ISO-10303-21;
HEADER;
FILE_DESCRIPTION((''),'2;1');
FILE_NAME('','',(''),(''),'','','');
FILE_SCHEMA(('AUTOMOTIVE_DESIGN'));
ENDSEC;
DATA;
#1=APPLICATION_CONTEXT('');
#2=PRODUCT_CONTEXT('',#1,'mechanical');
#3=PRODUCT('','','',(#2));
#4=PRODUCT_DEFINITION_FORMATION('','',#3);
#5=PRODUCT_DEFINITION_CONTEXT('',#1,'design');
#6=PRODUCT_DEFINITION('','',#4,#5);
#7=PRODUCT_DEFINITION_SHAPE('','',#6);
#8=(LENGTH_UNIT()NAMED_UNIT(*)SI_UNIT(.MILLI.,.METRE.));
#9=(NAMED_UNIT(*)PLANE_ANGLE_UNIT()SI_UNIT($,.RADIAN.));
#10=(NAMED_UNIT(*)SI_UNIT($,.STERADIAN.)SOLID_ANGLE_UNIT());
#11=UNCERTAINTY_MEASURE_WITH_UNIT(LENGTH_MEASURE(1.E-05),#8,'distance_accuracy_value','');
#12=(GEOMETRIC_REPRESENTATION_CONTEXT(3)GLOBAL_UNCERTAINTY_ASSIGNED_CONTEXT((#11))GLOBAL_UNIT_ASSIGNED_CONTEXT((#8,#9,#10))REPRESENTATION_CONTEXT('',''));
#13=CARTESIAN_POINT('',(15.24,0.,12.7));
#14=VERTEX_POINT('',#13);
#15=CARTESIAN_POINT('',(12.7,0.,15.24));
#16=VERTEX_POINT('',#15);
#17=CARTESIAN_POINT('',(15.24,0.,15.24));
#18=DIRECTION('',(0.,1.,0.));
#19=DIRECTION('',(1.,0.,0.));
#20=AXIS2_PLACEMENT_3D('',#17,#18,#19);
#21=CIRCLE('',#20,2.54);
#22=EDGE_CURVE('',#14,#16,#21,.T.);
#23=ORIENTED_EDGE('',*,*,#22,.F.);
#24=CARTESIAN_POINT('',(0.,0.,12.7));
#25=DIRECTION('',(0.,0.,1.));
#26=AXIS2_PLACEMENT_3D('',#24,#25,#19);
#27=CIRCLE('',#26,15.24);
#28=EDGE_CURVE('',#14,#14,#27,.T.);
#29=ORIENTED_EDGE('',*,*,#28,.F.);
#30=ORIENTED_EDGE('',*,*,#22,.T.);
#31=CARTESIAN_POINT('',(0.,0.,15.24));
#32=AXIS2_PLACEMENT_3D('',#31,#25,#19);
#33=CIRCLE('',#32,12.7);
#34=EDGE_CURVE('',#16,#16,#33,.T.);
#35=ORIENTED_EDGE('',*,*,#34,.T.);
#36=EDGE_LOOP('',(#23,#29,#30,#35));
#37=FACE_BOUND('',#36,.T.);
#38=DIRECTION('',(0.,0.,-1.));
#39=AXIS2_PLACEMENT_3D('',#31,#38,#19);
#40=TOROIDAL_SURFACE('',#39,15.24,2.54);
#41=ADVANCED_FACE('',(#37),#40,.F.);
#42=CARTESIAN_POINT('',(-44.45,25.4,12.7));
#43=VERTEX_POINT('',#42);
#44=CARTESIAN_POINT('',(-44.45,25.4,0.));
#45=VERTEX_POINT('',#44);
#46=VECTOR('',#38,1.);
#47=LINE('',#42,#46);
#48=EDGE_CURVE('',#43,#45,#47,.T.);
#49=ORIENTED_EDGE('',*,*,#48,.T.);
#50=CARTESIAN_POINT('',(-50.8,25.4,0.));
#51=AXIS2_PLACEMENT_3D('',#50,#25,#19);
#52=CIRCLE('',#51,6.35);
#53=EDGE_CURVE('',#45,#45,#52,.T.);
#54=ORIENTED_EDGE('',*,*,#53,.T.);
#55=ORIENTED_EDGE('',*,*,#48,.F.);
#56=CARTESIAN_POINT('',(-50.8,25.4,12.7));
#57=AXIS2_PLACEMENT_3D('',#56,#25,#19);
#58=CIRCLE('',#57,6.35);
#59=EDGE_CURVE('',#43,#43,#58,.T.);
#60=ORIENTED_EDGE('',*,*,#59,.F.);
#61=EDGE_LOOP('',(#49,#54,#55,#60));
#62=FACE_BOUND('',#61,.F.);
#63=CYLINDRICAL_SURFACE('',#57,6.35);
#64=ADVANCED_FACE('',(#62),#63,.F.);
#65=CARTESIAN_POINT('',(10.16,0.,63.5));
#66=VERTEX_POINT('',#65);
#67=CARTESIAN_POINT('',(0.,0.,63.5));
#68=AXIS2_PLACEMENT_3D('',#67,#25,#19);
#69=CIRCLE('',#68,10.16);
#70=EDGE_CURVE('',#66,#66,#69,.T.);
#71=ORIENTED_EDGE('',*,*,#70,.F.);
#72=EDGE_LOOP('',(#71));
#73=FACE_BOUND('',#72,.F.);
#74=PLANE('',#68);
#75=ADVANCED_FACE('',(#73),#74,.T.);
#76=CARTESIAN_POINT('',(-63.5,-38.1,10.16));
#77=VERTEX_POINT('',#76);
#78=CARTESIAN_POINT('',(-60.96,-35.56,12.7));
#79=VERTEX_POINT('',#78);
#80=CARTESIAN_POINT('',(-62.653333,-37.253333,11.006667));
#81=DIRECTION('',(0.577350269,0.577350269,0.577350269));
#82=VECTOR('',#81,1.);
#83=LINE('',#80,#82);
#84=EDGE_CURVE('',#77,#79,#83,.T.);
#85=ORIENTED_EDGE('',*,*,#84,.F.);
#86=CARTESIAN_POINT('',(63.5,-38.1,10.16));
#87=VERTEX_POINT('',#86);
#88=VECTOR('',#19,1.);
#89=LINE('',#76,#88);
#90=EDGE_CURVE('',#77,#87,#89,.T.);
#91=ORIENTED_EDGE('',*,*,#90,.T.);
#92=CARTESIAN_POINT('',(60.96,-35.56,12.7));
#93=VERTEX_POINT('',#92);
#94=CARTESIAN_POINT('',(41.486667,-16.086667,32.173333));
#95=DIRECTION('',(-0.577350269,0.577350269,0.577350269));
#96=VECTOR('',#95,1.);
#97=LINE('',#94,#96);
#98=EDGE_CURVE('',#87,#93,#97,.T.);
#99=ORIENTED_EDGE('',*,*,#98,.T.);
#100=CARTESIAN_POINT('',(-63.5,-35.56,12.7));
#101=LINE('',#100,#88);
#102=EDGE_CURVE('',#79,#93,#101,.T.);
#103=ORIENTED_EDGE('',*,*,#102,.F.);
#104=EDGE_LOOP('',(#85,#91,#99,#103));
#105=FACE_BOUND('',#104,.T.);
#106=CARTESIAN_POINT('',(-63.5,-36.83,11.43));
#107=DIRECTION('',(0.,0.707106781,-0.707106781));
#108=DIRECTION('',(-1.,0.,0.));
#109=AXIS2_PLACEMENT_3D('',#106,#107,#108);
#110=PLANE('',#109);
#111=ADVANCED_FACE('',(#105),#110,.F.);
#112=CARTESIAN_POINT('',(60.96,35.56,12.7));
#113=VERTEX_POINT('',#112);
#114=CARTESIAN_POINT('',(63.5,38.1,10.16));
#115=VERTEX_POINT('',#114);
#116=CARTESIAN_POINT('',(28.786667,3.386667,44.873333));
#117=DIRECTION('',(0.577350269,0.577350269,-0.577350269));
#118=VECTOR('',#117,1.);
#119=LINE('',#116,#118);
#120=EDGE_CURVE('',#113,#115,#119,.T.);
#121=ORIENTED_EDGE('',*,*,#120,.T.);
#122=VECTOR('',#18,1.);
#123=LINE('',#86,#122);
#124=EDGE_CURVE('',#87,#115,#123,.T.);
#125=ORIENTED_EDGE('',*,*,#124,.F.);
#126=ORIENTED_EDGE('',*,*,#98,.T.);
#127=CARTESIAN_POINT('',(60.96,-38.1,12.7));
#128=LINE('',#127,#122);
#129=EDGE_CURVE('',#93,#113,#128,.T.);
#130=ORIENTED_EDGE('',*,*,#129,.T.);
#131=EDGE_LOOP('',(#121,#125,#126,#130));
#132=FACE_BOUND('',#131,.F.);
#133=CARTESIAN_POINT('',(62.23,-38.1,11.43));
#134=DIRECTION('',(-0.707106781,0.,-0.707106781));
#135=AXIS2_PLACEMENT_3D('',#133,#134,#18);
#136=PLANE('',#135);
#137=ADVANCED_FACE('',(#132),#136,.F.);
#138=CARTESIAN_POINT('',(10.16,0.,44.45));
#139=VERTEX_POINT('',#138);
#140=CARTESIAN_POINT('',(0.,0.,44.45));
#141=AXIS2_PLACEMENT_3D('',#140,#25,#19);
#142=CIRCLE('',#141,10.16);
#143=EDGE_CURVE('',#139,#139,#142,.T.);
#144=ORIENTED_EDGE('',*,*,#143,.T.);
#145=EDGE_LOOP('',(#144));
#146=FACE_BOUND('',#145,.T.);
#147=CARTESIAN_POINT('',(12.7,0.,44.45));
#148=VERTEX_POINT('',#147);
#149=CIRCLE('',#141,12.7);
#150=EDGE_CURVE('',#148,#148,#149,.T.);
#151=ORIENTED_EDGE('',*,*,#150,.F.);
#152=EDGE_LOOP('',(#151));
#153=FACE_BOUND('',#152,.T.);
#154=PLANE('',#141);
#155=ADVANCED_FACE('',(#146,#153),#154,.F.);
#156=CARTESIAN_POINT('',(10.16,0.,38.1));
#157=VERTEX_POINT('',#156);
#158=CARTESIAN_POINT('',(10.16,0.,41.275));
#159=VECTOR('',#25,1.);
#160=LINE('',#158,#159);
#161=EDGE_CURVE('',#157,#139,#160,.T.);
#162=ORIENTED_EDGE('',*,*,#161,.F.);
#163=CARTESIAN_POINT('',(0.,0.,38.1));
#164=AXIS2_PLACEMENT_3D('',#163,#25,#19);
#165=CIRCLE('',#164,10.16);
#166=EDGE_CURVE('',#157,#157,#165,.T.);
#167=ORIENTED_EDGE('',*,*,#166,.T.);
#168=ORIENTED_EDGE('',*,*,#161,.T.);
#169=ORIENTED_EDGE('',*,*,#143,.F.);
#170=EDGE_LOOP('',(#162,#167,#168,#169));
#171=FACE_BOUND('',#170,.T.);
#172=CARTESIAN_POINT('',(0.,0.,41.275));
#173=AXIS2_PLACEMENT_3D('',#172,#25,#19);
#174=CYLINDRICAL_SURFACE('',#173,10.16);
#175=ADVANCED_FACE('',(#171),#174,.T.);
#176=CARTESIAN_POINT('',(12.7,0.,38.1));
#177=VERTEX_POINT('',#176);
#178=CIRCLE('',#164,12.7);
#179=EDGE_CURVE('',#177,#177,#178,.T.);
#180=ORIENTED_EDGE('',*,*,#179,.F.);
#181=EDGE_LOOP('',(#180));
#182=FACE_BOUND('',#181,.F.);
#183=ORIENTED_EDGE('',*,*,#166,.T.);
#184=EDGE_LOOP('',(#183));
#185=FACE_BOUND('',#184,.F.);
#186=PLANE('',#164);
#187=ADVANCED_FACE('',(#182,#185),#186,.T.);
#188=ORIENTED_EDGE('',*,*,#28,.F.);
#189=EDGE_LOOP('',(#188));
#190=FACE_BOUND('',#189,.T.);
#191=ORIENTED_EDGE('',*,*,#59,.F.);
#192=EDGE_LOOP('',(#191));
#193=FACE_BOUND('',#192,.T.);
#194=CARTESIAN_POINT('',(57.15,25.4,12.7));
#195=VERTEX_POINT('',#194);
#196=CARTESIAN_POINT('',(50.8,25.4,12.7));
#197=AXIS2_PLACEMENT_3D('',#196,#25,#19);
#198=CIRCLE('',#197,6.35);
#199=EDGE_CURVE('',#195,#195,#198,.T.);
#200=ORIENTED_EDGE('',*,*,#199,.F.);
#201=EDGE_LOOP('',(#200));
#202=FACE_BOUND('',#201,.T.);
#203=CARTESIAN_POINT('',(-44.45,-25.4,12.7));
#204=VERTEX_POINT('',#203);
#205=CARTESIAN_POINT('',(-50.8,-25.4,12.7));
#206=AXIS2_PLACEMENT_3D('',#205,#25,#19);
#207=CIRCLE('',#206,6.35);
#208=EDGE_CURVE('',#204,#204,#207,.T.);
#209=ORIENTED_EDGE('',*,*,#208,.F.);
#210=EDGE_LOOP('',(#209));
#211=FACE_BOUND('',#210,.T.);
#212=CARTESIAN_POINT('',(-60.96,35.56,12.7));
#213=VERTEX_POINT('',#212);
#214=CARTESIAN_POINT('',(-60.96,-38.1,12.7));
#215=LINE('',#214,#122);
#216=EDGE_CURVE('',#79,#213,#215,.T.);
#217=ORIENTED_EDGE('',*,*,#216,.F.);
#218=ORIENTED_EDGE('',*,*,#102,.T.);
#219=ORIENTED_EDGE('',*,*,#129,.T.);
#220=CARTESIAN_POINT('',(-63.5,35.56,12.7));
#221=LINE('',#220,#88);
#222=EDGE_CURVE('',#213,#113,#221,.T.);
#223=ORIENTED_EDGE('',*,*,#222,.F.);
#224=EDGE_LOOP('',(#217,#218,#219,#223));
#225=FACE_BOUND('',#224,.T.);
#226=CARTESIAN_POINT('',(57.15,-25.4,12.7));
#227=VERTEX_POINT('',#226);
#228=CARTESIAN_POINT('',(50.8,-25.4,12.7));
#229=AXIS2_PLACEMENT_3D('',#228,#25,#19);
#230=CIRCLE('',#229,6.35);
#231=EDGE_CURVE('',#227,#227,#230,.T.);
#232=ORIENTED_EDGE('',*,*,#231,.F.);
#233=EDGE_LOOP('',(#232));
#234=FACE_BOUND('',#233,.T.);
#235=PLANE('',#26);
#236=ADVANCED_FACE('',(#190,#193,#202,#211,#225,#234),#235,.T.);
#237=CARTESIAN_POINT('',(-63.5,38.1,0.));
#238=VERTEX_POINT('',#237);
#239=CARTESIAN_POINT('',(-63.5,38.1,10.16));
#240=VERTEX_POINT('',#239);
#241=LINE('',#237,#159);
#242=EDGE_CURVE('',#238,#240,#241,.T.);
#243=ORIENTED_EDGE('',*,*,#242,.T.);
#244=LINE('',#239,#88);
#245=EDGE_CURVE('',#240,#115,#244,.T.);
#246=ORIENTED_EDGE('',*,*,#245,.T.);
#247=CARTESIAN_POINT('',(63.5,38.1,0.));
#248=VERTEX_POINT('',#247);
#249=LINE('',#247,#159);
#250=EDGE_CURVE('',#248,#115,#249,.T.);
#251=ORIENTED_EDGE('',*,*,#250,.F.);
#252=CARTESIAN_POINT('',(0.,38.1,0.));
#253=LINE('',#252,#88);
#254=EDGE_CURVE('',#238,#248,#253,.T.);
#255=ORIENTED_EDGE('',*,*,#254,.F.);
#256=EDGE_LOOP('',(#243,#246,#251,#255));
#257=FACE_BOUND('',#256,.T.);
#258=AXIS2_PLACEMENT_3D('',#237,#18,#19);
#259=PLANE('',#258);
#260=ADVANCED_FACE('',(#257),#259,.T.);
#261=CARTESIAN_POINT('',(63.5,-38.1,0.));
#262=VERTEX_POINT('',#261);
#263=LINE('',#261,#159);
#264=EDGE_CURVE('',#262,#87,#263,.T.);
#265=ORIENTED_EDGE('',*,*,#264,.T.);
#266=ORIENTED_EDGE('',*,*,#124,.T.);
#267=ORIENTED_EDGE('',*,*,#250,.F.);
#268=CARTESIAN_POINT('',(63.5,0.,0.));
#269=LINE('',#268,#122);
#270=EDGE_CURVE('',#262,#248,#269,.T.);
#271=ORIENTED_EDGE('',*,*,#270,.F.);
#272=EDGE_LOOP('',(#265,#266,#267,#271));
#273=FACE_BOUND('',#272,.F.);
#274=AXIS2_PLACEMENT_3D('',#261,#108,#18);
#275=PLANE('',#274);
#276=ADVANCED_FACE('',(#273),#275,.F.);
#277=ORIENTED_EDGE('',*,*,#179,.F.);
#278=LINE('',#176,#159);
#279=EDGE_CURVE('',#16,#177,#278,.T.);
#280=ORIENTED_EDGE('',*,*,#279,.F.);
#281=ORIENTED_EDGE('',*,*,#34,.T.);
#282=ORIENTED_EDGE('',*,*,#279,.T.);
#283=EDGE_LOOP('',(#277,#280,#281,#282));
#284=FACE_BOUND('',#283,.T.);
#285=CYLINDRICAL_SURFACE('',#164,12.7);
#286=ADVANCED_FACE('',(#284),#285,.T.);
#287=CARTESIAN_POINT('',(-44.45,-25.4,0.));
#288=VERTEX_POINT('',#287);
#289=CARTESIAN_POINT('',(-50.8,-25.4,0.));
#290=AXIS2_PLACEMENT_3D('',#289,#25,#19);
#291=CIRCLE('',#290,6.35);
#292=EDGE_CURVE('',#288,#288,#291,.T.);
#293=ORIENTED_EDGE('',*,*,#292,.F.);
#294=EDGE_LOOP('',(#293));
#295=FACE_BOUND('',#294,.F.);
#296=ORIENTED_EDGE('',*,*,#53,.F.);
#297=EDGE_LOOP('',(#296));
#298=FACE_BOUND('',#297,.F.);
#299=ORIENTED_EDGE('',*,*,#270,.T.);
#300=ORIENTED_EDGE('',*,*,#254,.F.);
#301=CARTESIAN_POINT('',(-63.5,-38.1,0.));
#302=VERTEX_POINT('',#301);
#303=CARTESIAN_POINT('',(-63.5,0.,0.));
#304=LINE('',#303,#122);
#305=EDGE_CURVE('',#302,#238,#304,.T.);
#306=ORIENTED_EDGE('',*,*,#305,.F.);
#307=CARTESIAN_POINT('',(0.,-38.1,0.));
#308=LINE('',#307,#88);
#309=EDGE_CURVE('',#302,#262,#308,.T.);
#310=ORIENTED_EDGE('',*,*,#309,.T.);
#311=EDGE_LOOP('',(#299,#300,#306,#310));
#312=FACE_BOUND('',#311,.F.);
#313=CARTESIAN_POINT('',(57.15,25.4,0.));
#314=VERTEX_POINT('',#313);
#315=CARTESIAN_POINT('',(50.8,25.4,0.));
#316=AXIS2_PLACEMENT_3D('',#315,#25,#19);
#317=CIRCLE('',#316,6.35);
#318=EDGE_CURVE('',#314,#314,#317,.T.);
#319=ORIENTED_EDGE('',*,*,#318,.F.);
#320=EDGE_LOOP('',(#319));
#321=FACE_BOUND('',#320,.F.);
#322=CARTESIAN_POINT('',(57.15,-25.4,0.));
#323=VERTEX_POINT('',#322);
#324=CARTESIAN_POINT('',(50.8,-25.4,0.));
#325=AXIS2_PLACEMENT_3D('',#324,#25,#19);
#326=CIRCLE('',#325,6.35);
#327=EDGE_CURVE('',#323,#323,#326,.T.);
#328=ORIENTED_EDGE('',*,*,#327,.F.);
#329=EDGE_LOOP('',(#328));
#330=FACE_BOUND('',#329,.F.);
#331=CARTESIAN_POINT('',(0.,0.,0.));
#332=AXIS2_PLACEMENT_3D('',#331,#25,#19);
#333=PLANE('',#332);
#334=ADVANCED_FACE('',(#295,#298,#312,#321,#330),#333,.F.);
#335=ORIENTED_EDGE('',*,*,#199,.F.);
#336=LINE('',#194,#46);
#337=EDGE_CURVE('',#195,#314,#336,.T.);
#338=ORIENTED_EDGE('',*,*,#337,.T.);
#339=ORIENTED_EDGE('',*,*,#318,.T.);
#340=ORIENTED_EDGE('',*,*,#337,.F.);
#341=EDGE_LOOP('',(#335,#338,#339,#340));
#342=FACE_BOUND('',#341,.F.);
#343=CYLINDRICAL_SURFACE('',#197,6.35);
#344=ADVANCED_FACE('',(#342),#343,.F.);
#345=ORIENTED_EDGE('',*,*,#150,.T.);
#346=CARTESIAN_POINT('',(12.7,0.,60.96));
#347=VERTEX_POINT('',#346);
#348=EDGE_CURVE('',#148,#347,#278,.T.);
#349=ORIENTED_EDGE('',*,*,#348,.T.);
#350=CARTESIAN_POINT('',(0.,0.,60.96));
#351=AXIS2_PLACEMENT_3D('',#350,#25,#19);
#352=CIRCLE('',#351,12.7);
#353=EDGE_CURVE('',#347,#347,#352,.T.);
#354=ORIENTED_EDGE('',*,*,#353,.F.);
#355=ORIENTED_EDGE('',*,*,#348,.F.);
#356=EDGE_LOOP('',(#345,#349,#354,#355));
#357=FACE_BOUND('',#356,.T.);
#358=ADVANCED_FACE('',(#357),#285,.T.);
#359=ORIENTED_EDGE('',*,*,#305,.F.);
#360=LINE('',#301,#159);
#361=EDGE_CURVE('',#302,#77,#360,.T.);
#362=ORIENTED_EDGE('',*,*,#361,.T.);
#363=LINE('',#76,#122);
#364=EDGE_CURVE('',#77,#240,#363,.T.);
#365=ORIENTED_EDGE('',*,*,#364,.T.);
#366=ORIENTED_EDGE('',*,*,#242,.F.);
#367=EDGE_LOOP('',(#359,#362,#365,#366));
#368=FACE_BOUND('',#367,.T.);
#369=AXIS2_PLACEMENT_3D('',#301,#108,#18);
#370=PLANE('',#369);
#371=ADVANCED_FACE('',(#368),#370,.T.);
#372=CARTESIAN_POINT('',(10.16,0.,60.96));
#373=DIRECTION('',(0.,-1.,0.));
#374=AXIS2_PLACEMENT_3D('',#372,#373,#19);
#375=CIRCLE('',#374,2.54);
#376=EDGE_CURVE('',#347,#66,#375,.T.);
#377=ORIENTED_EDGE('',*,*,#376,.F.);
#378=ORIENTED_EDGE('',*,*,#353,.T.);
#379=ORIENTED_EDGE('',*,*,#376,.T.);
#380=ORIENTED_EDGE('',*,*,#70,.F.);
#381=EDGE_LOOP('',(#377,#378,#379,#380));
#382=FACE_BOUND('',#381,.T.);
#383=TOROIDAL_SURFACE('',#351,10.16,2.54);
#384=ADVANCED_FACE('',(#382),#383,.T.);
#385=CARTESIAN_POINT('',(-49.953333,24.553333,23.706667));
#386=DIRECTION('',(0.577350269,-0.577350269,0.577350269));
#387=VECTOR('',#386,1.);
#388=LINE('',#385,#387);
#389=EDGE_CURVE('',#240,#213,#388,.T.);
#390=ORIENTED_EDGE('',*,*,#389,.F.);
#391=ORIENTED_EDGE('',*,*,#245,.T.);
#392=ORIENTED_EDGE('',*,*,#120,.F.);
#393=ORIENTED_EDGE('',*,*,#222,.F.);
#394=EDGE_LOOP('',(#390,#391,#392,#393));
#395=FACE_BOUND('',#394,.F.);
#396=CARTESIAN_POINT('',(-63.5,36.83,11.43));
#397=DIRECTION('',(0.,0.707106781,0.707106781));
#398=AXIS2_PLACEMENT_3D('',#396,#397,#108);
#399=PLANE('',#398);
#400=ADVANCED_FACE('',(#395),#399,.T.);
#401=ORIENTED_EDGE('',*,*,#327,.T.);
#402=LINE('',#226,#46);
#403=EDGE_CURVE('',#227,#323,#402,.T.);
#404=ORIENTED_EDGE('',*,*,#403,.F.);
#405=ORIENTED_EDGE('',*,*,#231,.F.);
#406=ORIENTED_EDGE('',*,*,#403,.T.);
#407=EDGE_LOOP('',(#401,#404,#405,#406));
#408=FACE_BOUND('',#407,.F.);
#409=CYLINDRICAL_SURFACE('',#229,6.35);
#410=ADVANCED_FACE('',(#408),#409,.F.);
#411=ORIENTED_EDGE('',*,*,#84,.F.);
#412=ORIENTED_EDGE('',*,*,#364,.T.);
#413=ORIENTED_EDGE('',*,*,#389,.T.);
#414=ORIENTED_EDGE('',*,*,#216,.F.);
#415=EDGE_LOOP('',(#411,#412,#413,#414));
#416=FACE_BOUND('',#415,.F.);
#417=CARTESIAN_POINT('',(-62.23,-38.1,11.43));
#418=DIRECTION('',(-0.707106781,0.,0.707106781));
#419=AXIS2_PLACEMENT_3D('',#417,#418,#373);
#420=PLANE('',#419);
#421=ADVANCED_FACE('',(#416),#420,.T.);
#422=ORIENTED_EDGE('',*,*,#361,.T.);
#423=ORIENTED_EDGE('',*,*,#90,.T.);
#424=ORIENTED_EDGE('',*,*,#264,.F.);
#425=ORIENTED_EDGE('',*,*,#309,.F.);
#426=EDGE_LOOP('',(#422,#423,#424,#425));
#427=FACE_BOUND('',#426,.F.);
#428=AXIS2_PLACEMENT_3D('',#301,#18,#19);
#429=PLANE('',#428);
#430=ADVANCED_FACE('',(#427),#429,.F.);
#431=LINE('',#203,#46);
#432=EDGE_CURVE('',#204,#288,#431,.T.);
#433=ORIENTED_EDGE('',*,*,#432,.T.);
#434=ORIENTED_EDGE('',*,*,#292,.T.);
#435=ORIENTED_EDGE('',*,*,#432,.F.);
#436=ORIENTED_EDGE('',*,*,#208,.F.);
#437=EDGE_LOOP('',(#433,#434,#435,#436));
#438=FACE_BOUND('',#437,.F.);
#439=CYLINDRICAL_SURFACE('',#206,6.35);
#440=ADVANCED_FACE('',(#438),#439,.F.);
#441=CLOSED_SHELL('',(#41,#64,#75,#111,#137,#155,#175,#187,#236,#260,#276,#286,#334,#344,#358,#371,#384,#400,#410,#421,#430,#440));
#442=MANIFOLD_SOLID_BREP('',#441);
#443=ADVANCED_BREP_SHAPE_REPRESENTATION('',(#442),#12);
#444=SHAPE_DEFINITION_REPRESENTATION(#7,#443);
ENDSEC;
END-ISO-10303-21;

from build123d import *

# Parameters (mm, degrees)
F0_W     = 127
F0_H     = 76.2
F1_DEPTH = 12.7
F2_R     = 6.35
F3_DEPTH = 12.701
F4_W     = 12.7
F4_H     = 50.8
F6_W     = 15.515666
F6_H     = 6.35
F8_SIZE  = 2.54
F9_R     = 2.54


with BuildPart() as f1:
    # F0 (on Top) → F1 (new body)
    with BuildSketch(Plane.XY):
        Rectangle(F0_W, F0_H)
    extrude(amount=F1_DEPTH)

    # F2 (on face) → F3 (cut, through all)
    with BuildSketch(Plane.XY.offset(12.7)):
        with Locations((-50.8, -25.4)):
            Circle(F2_R)
        with Locations((50.8, 25.4)):
            Circle(F2_R)
        with Locations((50.8, -25.4)):
            Circle(F2_R)
        with Locations((-50.8, 25.4)):
            Circle(F2_R)
    extrude(amount=-F3_DEPTH, mode=Mode.SUBTRACT)

    # F4 (on Front) → F5 (revolve)
    with BuildSketch(Plane.XZ):
        with Locations((6.35, 38.1)):
            Rectangle(F4_W, F4_H)
    revolve(axis=Axis((0, 0, 38.1), (0, 0, 1)))

    # F6 (on Front) → F7 (revolve, cut)
    with BuildSketch(Plane.XZ):
        with Locations((17.917833, 41.275)):
            Rectangle(F6_W, F6_H)
    revolve(axis=Axis((0, 0, 12.7), (0, 0, 1)), mode=Mode.SUBTRACT)

    # F8
    f8_edges = [f1.edges().sort_by_distance(p)[0] for p in [
        (0, -38.1, 12.7),
        (63.5, 0, 12.7),
        (0, 38.1, 12.7),
        (-63.5, 0, 12.7),
    ]]
    chamfer(f8_edges, length=F8_SIZE)

    # F9
    f9_edges = [f1.edges().sort_by_distance(p)[0] for p in [
        (-12.7, 0, 12.7),
        (-12.7, 0, 63.5),
    ]]
    fillet(f9_edges, radius=F9_R)


solid = f1.part
